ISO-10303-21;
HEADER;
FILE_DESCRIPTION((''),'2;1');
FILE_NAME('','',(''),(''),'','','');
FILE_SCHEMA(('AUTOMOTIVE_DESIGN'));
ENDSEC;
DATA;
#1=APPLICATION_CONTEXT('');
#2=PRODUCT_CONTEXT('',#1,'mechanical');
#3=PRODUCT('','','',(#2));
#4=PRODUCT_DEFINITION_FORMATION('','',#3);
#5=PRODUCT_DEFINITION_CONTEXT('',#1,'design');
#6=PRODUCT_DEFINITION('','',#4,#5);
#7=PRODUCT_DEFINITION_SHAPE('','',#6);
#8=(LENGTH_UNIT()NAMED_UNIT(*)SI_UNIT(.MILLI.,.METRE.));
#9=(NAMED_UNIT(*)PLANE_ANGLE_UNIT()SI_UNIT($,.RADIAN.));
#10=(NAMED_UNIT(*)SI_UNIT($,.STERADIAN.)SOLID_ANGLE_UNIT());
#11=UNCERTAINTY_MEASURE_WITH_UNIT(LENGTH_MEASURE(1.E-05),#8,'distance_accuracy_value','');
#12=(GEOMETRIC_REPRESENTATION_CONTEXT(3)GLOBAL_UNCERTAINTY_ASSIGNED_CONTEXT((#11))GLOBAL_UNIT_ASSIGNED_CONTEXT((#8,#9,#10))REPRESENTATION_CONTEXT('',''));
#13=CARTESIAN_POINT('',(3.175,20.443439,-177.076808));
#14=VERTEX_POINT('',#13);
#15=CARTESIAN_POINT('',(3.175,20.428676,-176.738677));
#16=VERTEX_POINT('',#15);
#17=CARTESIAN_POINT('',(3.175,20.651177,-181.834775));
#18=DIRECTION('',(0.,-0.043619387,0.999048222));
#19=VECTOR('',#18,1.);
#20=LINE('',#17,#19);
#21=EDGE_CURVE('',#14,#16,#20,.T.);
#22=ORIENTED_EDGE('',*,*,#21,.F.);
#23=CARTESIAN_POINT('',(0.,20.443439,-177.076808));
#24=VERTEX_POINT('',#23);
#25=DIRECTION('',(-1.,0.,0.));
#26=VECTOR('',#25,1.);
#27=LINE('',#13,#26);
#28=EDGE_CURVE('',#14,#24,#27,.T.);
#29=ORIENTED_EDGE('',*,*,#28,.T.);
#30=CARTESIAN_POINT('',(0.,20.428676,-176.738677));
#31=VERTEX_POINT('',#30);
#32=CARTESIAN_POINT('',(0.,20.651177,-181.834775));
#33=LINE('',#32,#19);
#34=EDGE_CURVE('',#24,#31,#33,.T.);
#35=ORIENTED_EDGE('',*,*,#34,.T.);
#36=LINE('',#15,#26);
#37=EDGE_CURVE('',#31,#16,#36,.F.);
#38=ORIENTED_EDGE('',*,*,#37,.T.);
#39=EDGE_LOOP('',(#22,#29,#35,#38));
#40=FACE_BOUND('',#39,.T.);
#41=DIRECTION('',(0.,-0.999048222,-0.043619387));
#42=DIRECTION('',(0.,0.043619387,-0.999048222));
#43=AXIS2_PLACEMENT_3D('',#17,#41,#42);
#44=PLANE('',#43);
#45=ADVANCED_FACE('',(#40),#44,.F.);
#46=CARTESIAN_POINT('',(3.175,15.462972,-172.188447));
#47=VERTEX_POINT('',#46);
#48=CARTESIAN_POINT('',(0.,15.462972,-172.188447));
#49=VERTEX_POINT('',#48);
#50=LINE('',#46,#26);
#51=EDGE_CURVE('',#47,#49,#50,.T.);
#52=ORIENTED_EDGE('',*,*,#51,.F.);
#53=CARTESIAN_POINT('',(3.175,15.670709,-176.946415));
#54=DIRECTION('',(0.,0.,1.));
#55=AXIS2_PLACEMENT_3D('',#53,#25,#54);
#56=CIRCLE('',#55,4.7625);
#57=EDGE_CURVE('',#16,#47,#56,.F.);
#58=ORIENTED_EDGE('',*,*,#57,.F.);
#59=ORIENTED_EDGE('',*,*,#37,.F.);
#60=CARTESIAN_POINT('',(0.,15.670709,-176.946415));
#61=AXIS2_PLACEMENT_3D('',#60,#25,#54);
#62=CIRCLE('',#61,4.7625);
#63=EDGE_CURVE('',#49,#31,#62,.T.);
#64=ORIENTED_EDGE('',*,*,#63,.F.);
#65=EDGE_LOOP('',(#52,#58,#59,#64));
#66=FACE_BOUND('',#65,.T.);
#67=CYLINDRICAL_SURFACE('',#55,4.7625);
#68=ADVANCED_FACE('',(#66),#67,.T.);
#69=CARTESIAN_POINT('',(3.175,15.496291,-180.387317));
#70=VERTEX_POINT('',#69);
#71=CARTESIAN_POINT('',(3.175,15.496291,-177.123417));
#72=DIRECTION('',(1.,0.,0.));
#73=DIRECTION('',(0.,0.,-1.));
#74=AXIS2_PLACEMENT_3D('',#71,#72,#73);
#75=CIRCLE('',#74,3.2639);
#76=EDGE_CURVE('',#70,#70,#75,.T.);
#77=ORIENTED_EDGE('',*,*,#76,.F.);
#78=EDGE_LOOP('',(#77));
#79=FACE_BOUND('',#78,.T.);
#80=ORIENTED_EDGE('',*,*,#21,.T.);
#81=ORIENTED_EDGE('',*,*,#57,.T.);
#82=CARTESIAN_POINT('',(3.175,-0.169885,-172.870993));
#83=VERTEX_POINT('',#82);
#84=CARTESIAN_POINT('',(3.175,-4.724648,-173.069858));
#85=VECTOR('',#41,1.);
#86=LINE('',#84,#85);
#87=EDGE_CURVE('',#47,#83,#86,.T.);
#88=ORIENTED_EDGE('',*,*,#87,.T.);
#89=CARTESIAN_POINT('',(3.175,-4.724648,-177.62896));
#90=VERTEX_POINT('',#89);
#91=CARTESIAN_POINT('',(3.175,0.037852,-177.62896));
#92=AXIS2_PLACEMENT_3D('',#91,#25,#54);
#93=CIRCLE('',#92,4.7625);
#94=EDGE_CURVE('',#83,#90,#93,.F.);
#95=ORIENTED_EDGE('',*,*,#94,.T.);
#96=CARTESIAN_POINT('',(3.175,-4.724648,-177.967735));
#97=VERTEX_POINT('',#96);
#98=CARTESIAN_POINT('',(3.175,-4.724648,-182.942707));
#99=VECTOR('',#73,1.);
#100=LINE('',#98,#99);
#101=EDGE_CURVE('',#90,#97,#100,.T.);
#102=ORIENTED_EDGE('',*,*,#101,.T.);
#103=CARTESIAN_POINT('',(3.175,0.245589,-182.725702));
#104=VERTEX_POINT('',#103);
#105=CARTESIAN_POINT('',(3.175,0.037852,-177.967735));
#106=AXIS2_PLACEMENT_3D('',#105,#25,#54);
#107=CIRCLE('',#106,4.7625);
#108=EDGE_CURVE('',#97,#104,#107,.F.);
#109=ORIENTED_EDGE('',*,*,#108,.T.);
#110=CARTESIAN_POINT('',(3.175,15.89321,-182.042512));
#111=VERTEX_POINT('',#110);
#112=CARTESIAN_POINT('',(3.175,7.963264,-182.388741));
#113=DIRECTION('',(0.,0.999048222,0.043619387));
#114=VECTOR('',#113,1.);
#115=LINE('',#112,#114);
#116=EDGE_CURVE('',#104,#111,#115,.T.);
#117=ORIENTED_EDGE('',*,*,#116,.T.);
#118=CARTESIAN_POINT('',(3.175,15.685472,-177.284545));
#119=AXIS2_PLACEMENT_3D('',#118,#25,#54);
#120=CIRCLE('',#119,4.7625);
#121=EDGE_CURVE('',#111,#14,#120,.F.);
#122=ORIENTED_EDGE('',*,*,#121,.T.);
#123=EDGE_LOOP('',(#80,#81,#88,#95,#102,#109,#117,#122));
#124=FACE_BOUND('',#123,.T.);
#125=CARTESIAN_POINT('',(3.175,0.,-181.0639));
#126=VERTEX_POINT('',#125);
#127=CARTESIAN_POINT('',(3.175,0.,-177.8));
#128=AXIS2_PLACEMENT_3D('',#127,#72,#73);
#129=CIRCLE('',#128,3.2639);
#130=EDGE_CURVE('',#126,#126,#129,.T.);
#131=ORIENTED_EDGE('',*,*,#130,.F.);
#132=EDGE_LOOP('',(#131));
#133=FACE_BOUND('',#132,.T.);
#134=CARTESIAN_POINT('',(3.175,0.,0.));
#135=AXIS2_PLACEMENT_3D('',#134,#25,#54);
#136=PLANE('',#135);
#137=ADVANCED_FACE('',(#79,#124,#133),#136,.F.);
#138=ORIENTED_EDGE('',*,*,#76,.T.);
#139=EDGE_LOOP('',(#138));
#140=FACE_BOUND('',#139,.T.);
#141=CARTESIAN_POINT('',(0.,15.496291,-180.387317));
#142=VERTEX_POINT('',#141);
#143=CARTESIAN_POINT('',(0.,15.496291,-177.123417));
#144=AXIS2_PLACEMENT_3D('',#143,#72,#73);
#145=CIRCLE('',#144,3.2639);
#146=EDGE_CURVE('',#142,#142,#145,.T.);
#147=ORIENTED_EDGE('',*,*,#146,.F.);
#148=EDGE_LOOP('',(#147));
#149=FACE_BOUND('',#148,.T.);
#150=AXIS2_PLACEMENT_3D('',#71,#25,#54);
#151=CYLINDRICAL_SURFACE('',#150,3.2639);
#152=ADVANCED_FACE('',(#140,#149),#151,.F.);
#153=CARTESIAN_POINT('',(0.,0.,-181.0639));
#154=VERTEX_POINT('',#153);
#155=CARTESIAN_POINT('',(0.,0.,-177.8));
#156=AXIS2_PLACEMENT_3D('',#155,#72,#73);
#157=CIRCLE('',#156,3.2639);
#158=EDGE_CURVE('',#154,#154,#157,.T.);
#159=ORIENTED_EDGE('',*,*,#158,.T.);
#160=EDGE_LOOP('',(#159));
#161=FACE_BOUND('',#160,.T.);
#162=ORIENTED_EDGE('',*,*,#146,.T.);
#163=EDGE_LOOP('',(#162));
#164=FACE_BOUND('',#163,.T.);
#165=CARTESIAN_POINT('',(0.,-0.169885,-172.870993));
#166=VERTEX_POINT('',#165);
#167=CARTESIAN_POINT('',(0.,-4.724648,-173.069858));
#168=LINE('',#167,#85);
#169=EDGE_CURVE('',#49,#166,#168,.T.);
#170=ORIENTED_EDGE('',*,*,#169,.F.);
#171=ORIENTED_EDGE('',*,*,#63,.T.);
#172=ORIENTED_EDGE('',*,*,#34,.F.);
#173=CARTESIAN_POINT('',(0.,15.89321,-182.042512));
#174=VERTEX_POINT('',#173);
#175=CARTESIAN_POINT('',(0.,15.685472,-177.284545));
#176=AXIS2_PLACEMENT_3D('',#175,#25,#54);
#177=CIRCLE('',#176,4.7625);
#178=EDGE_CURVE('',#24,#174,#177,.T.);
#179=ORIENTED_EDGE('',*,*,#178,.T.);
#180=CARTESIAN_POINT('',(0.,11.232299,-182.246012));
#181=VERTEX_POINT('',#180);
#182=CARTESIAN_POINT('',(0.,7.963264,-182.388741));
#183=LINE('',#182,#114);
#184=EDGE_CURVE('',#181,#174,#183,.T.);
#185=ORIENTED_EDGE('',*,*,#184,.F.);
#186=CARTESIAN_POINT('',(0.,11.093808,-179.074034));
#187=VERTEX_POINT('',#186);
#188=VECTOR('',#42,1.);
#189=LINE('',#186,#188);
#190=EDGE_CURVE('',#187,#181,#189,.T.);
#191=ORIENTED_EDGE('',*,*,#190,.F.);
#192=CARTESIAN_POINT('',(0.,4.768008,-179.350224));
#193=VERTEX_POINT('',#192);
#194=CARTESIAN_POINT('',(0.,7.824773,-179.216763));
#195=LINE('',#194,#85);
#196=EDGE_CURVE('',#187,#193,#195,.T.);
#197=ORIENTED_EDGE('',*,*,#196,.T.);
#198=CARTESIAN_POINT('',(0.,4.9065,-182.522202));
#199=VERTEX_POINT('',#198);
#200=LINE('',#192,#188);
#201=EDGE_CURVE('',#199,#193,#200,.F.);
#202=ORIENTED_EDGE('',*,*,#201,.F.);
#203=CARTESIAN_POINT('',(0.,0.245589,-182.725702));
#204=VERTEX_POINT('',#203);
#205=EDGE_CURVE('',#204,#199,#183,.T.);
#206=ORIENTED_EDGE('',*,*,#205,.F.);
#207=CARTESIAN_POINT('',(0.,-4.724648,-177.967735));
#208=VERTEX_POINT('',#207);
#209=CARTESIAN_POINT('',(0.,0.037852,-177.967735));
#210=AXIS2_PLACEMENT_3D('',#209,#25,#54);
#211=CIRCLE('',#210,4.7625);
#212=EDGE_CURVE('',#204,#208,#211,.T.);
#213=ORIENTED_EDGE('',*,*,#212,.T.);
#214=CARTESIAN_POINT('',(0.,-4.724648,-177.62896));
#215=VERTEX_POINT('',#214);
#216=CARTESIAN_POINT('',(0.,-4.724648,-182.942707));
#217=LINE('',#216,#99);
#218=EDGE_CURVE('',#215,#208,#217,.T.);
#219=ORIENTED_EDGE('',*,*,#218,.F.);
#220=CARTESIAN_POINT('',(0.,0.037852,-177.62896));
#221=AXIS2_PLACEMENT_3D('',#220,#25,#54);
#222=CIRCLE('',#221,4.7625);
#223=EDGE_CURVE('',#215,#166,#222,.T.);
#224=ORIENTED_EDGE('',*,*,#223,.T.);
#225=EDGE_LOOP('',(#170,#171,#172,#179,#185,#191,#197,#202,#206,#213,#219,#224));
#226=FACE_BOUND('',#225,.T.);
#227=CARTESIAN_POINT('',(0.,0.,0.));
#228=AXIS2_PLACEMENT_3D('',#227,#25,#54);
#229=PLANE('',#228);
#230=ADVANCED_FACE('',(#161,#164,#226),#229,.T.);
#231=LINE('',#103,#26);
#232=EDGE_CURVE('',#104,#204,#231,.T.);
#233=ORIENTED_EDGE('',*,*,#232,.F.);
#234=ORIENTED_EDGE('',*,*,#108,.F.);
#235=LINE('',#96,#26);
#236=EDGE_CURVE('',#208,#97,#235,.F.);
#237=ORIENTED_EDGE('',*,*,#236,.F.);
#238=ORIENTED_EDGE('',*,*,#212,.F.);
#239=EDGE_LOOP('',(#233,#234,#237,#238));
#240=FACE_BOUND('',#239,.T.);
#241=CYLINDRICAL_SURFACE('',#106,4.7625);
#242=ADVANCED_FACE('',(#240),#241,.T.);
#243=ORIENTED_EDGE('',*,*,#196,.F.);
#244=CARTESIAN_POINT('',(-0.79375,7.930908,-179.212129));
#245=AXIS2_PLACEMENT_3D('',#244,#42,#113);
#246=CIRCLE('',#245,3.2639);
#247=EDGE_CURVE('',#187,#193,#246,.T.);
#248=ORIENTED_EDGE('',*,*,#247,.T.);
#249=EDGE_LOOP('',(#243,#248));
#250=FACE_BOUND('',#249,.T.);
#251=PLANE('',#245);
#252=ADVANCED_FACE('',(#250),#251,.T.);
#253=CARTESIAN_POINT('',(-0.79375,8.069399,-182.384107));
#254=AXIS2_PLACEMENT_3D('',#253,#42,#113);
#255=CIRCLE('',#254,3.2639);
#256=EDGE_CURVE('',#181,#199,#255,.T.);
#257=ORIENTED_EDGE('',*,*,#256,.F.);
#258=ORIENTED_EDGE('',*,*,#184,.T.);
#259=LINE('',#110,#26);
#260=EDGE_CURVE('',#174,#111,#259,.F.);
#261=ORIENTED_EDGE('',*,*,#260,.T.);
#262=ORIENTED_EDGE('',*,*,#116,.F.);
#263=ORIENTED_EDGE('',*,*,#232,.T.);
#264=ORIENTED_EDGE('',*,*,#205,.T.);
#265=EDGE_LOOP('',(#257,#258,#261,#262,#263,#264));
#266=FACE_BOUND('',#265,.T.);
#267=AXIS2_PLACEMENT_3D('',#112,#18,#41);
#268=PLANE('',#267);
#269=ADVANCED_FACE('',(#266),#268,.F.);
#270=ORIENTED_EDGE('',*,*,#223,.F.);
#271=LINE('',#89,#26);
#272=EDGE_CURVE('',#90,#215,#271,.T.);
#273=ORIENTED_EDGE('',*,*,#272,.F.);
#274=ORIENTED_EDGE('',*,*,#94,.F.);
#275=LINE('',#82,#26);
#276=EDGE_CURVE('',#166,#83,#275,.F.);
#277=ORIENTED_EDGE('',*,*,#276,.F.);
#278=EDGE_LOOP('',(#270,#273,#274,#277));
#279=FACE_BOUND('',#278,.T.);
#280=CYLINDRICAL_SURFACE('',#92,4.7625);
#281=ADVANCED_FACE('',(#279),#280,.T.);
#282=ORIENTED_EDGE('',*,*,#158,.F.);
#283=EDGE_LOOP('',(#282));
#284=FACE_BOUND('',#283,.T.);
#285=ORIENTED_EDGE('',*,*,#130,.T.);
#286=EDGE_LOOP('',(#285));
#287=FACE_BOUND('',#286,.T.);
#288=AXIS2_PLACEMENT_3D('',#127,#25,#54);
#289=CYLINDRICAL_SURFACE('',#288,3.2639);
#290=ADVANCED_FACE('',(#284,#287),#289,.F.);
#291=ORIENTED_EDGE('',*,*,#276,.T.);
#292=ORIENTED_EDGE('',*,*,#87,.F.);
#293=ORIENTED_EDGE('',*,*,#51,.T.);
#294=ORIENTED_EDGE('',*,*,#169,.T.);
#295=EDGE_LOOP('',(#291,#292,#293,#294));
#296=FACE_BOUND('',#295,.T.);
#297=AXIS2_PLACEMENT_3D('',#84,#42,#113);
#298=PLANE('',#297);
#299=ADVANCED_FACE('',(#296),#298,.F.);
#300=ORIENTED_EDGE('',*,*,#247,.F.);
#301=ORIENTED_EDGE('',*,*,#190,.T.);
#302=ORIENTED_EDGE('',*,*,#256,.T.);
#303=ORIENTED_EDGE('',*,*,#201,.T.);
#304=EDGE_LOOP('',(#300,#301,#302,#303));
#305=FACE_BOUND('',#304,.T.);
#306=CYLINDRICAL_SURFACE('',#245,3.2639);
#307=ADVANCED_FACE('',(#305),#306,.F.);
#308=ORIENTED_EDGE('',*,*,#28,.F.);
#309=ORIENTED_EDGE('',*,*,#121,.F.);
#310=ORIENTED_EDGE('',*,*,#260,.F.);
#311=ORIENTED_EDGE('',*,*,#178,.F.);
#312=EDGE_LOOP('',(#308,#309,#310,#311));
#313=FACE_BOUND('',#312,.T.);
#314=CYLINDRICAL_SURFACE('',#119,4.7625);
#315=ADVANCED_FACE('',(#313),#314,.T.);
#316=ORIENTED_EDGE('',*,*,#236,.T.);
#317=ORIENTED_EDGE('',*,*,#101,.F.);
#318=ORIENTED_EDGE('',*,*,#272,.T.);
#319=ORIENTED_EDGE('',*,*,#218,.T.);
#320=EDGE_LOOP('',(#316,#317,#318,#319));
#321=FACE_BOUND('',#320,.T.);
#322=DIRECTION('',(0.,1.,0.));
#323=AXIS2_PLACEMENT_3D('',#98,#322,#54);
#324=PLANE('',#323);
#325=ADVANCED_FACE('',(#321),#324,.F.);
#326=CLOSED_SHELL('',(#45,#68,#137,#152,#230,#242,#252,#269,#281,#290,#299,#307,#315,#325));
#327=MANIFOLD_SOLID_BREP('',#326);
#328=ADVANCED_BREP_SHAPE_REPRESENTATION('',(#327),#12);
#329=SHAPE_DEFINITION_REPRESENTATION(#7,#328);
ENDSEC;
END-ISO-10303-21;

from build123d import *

# Parameters (mm, degrees)
SKETCH1_R           = 3.2639
BOSS_EXTRUDE1_DEPTH = 3.175
FILLET2_R           = 4.7625
SKETCH3_R           = 3.2639
CUT_EXTRUDE1_DEPTH  = 3.175


with BuildPart() as part:
    # Sketch1 → Boss-Extrude1 (new body)
    with BuildSketch(Plane(origin=(0, 0, 0), x_dir=(0, 0, -1), z_dir=(1, 0, 0))):
        Polygon((182.388740953, 7.963264406), (181.834774733, 20.65117682), (171.980710149, 20.220939069), (173.069858002, -4.724648008), (182.942707172, -4.724648008), align=None)
        with Locations((177.123417321, 15.496291061)):
            Circle(SKETCH1_R, mode=Mode.SUBTRACT)
        with Locations((177.8, 0)):
            Circle(SKETCH1_R, mode=Mode.SUBTRACT)
    extrude(amount=BOSS_EXTRUDE1_DEPTH)

    # Fillet2
    fillet2_edges = [part.edges().sort_by_distance(p)[0] for p in [
        (1.5875, -4.724648008, -182.942707172),
        (1.5875, -4.724648008, -173.069858002),
        (1.5875, 20.220939069, -171.980710149),
        (1.5875, 20.65117682, -181.834774733),
    ]]
    fillet(fillet2_edges, radius=FILLET2_R)

    # Sketch3 → Cut-Extrude1 (cut)
    with BuildSketch(Plane(origin=(0, 7.963264406, -182.388740953), x_dir=(-1, 0, 0), z_dir=(0, 0.04361938736533578, -0.9990482215818579))):
        with Locations((0.79375, 0.106236202)):
            Circle(SKETCH3_R)
    extrude(amount=-CUT_EXTRUDE1_DEPTH, mode=Mode.SUBTRACT)


solid = part.part
